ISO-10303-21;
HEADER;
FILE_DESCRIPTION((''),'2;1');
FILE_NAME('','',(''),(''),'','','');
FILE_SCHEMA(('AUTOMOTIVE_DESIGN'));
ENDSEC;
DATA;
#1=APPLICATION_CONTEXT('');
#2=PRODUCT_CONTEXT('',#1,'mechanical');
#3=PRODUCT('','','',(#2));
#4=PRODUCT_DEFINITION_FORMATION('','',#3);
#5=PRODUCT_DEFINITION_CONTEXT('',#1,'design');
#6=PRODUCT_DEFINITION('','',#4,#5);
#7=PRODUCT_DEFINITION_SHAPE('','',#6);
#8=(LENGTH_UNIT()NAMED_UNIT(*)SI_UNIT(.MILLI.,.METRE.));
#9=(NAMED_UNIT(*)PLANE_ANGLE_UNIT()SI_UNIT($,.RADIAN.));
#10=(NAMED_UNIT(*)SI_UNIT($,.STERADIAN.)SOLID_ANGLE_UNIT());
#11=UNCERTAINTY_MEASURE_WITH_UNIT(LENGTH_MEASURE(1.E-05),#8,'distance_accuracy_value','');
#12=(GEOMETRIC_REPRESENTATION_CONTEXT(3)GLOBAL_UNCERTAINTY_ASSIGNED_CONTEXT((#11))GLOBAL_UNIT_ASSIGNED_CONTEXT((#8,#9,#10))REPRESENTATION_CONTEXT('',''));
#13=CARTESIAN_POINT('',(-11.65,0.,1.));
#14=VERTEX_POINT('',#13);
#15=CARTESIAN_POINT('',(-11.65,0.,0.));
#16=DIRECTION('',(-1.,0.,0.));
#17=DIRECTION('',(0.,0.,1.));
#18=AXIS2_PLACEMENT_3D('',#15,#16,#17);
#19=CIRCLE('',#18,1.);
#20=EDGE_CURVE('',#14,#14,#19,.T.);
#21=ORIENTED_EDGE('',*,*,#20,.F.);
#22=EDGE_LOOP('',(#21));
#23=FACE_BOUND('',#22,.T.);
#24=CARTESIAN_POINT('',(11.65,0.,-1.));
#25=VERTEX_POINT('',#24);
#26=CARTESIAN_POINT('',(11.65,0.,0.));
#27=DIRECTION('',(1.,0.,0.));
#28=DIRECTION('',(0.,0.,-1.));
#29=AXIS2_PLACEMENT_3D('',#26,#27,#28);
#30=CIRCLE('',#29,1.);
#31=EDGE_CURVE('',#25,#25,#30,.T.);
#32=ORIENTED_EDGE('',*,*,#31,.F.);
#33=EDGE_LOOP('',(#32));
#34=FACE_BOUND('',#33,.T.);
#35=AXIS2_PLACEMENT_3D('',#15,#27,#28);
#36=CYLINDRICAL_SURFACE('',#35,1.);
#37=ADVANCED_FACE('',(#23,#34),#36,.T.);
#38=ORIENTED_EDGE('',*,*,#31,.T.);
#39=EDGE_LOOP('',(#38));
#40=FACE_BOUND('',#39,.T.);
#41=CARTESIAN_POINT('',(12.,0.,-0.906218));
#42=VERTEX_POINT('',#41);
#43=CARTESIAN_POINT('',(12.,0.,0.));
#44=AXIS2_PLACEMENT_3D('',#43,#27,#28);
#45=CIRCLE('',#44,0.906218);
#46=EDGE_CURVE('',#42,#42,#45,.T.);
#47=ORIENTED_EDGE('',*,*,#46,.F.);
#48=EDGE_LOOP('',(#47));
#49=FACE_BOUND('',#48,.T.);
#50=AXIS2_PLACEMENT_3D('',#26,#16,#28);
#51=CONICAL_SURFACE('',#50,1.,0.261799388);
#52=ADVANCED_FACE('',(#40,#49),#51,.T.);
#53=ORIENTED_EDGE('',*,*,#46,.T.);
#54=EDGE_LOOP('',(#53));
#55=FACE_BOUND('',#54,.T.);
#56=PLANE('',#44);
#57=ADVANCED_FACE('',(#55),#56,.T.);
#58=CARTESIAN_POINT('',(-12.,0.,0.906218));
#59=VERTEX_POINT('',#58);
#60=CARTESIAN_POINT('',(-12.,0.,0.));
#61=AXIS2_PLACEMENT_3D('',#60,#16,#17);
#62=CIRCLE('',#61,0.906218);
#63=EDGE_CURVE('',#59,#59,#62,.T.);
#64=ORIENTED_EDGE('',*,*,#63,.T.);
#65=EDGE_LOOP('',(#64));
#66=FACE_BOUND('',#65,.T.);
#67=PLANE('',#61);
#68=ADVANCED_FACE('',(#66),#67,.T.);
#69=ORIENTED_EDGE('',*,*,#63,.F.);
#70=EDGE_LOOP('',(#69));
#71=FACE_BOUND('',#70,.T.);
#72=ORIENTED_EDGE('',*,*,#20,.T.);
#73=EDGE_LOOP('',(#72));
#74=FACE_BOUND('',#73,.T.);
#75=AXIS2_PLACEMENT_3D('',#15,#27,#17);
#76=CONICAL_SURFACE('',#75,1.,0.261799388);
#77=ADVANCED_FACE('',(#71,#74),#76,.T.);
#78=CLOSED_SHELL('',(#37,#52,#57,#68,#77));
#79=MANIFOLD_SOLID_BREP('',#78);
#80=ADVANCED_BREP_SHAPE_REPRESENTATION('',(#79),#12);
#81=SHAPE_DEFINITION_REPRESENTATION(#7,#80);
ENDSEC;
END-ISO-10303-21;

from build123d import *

# Parameters (mm, degrees)
EXTRUDE1_DEPTH      = 11.65
EXTRUDE1_DEPTH_BACK = 11.65
SKETCH2_R           = 1
SKETCH3_R           = 1
EXTRUDE2_DEPTH      = 0.35
EXTRUDE2_TAPER      = 15
SKETCH4_R           = 1
EXTRUDE3_DEPTH      = 0.35
EXTRUDE3_TAPER      = 15


with BuildPart() as part:
    # Sketch2 → Extrude1 (new, two sides: drawn at the far end of the back side and taken through both)
    with BuildSketch(Plane(origin=(0, 0, 0), x_dir=(0, 0, -1), z_dir=(1, 0, 0)).offset(-EXTRUDE1_DEPTH_BACK)):
        Circle(SKETCH2_R)
    extrude(amount=EXTRUDE1_DEPTH + EXTRUDE1_DEPTH_BACK)

    # Sketch3 → Extrude2 (add)
    with BuildSketch(Plane(origin=(11.65, 0, 0), x_dir=(0, 0, -1), z_dir=(1, 0, 0))):
        Circle(SKETCH3_R)
    extrude(amount=EXTRUDE2_DEPTH, taper=EXTRUDE2_TAPER)

    # Sketch4 → Extrude3 (add)
    with BuildSketch(Plane.ZY.offset(11.65)):
        with Locations(Location((0, 0, 0), (0, 0, 180))):
            Circle(SKETCH4_R)
    extrude(amount=EXTRUDE3_DEPTH, taper=EXTRUDE3_TAPER)


solid = part.part
